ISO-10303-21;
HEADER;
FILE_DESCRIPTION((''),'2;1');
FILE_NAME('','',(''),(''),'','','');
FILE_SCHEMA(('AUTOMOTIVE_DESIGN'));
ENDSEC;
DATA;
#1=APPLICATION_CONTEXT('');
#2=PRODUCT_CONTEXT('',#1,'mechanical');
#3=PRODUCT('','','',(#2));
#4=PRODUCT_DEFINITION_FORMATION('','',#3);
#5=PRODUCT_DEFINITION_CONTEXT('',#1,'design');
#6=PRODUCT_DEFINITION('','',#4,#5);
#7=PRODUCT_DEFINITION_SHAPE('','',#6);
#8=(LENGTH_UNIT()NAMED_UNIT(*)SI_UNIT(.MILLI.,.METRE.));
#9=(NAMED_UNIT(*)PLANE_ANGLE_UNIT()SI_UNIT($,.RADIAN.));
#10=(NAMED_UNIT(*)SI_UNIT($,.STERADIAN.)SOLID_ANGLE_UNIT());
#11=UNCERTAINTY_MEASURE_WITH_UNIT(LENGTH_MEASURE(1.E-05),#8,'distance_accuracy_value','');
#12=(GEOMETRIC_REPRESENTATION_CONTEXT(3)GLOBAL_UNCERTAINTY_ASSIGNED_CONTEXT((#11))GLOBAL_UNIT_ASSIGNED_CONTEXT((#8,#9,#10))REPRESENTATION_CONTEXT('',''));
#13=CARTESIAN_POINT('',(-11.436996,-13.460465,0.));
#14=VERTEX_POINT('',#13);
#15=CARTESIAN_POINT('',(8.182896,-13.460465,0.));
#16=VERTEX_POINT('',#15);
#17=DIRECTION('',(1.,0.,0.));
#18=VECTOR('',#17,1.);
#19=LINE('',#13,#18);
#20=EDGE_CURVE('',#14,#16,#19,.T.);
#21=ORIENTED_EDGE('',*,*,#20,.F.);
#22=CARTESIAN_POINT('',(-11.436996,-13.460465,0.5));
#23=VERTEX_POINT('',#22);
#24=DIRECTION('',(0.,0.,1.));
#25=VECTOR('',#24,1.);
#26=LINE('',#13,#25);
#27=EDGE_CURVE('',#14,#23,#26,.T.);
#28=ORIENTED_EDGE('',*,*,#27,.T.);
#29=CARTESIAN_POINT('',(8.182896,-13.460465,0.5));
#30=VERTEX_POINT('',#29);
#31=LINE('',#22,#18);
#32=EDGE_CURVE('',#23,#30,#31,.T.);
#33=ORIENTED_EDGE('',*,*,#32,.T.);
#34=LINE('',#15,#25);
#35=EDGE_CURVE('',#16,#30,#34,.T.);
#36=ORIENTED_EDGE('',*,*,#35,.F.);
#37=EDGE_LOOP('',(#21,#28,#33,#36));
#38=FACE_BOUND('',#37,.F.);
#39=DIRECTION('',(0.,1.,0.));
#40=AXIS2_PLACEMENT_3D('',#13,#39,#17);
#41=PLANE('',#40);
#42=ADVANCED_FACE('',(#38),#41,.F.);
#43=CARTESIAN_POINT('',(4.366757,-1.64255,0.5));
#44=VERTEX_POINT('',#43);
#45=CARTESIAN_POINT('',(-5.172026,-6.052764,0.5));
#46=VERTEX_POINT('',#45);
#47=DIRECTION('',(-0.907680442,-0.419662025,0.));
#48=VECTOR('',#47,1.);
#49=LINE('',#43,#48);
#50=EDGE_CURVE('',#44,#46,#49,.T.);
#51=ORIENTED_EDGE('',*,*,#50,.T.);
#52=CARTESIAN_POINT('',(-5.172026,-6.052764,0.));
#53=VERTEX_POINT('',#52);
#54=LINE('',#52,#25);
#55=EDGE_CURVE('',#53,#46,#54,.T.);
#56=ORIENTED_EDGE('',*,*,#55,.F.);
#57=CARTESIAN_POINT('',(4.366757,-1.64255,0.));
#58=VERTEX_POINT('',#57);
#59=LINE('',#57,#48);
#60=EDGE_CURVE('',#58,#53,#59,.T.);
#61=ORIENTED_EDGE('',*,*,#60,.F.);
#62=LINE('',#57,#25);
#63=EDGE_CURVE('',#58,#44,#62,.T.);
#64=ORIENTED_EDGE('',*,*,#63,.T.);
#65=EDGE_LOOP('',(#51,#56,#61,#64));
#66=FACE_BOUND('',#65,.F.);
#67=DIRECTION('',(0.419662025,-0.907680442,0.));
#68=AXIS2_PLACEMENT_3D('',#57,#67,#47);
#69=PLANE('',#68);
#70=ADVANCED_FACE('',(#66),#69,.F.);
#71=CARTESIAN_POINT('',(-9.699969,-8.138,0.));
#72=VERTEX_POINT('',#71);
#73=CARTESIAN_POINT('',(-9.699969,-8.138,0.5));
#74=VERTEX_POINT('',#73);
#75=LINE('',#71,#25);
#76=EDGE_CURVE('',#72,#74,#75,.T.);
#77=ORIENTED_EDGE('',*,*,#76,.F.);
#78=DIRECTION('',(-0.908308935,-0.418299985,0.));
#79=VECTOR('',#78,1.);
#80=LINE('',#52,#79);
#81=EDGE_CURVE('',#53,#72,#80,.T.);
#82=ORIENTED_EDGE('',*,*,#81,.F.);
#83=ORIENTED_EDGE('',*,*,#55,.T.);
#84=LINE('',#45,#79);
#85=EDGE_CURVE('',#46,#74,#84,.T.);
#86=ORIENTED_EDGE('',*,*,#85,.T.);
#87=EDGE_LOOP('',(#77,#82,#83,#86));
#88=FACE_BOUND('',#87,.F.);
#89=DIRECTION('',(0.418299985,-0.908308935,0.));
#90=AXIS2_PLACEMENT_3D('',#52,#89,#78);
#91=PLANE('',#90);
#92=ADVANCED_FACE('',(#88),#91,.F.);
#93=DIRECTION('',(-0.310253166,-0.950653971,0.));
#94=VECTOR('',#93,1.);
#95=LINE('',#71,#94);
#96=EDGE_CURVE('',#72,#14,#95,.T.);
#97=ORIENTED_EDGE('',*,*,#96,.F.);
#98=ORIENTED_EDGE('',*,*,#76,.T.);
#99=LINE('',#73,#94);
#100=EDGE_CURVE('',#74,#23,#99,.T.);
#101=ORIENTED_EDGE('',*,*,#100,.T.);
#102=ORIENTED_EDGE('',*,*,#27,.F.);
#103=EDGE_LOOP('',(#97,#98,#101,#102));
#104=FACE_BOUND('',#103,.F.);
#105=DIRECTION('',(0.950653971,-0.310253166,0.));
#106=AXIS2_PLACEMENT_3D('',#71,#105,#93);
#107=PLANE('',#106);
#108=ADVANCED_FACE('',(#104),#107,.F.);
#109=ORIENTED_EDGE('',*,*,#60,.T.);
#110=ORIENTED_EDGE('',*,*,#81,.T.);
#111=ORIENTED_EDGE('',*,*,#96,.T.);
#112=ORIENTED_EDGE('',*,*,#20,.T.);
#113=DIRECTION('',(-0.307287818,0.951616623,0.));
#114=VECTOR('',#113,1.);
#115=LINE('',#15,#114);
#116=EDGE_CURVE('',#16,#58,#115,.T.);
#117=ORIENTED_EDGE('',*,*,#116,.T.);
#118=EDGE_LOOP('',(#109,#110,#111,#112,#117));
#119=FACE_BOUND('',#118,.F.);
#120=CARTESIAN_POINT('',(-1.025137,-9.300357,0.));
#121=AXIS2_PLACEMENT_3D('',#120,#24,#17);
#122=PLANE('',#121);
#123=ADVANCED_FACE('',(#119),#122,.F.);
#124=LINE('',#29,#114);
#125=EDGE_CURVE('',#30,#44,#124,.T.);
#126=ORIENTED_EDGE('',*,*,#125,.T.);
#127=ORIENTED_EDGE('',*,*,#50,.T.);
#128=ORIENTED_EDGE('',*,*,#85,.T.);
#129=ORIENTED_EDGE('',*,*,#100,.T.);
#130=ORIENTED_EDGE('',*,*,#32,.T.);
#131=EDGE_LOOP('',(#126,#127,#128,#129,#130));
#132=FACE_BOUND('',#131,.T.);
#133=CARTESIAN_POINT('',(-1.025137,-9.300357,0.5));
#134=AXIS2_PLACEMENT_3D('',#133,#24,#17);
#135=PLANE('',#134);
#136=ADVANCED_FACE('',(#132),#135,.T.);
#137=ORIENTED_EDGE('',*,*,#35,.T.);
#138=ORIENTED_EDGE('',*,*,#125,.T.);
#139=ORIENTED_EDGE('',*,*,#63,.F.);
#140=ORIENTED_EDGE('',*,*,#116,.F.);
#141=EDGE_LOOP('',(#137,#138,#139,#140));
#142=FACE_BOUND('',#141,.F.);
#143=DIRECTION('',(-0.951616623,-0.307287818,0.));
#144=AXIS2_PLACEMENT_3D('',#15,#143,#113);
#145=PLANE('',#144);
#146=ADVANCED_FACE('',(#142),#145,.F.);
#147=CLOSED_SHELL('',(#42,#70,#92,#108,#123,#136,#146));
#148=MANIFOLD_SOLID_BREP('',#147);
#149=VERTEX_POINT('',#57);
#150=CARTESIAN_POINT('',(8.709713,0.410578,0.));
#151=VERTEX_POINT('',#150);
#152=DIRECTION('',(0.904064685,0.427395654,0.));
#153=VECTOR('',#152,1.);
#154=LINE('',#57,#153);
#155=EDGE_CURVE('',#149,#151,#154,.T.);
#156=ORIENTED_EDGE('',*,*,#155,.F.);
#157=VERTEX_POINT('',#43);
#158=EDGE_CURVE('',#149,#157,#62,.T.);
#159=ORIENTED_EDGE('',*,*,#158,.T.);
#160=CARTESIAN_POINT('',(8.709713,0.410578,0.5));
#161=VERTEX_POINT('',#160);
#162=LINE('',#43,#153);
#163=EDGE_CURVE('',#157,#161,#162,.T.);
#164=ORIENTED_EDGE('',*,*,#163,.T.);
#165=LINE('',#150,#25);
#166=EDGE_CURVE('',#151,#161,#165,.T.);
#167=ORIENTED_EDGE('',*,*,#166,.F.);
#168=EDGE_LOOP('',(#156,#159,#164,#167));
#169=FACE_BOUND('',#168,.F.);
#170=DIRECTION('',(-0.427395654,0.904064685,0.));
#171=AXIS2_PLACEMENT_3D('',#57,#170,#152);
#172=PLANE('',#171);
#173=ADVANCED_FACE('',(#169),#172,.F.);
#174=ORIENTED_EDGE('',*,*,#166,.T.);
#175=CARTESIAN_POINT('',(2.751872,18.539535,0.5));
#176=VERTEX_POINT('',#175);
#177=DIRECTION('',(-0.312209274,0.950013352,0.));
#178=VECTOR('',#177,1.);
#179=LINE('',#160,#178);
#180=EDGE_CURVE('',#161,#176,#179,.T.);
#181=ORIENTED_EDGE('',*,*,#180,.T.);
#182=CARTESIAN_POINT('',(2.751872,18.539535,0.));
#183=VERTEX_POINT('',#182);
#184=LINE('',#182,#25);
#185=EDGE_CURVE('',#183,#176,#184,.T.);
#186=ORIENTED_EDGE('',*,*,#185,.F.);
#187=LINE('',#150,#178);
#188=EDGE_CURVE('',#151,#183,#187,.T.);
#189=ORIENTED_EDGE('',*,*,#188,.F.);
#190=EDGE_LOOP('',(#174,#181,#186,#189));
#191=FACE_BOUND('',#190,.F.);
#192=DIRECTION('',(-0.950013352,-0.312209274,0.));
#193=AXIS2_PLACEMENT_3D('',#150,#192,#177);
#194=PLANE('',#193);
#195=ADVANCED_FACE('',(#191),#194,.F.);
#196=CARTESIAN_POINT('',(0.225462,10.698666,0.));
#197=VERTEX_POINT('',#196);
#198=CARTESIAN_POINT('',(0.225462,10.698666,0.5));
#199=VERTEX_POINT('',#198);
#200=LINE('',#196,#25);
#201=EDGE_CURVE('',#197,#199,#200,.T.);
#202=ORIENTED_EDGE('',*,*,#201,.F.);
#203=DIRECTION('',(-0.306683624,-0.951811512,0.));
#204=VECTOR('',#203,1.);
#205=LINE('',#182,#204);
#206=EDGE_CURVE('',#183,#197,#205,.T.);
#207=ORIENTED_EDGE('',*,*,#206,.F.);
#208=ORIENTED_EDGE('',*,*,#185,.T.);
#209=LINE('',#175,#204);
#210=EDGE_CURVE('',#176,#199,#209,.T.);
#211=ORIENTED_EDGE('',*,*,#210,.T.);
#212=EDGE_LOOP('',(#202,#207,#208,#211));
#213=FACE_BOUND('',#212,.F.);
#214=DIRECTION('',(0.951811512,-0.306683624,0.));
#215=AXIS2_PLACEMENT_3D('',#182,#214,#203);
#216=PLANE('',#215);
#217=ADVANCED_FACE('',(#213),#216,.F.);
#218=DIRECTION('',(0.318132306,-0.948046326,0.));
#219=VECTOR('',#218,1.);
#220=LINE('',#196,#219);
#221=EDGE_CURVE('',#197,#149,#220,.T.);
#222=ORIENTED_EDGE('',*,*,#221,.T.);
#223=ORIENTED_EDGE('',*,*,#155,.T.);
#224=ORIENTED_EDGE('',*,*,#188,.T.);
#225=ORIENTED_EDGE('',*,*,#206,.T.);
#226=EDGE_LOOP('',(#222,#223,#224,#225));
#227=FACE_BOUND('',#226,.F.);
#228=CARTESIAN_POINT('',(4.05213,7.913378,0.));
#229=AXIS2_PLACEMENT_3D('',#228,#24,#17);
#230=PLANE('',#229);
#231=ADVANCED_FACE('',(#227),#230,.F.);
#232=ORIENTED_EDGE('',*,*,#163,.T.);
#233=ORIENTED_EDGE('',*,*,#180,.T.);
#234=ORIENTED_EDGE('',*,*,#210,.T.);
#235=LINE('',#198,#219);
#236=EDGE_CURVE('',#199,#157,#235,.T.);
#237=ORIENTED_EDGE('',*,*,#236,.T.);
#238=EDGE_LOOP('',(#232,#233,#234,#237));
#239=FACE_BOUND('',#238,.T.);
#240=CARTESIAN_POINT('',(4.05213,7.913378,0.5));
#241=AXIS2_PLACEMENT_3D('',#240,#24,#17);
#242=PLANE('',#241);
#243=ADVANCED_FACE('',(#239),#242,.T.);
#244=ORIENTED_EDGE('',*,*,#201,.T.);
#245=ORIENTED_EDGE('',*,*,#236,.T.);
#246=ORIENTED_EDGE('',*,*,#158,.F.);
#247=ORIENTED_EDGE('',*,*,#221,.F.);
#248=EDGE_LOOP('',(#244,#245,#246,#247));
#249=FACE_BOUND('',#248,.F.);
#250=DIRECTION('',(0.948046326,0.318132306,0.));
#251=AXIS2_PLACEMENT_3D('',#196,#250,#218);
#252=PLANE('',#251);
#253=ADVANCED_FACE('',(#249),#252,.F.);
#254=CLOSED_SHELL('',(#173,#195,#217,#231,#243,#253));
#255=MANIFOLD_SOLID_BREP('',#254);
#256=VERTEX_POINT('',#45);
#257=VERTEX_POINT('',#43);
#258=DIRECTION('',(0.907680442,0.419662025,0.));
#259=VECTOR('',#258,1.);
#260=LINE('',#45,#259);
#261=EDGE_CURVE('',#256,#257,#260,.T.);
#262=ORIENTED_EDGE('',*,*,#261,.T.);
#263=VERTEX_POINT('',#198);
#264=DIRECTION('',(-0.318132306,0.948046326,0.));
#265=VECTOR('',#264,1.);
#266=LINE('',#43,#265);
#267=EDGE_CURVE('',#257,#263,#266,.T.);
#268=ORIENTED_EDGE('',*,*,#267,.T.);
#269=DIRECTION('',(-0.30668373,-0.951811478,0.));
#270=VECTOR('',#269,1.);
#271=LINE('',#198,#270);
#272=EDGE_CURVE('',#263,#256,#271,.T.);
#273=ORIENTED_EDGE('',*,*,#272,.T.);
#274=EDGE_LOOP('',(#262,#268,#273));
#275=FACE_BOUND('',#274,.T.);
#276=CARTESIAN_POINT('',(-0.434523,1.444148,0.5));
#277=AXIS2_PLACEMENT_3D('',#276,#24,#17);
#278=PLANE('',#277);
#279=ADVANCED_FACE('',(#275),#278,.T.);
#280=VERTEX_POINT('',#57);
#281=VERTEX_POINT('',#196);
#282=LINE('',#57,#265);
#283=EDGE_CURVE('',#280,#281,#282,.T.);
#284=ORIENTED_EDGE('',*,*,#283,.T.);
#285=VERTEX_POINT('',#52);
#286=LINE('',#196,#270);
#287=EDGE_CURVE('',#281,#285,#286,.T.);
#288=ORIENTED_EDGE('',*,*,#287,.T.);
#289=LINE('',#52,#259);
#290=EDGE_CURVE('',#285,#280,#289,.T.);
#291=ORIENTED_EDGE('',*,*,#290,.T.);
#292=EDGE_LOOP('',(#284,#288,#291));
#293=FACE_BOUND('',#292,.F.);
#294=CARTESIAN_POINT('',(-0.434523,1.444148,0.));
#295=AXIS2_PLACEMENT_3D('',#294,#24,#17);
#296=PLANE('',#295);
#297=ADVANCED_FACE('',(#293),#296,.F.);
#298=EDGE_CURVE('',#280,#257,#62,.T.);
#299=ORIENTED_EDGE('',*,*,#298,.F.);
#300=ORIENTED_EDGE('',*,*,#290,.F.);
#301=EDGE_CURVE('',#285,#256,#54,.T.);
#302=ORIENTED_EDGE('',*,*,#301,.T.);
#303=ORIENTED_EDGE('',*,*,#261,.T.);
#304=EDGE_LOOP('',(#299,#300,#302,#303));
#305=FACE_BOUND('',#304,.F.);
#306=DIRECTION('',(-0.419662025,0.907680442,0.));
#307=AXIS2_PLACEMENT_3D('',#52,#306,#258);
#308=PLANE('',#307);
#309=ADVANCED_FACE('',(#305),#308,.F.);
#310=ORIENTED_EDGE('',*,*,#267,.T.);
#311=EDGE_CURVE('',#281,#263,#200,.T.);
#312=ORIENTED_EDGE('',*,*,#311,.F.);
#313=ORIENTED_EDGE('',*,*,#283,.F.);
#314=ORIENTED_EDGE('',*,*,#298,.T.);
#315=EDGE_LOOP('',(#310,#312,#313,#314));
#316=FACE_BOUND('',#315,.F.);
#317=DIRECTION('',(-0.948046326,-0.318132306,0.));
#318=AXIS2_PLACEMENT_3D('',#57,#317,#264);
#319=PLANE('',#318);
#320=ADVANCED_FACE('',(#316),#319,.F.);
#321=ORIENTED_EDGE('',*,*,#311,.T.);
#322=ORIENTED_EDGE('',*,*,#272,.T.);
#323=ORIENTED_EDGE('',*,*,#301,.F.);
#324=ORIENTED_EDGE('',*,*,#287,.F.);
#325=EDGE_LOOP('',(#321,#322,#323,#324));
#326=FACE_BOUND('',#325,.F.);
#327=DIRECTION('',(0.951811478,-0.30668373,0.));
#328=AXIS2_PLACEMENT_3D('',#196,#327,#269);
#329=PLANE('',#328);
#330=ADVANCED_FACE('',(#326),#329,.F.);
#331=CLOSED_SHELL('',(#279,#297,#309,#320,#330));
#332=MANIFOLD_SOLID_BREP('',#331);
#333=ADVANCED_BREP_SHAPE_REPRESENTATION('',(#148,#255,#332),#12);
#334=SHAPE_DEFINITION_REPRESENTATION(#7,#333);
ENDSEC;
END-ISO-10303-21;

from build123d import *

# Parameters (mm, degrees)
F1_DEPTH = 0.5
F2_DEPTH = 0.5
F3_DEPTH = 0.5


with BuildPart() as f1:
    # F0 (on Top) → F1 (new body)
    with BuildSketch(Plane.XY):
        Polygon((8.709713, 0.410578), (2.751872, 18.539535), (0.225462, 10.698666), (4.366757, -1.64255), align=None)
    extrude(amount=F1_DEPTH)


with BuildPart() as f2:
    # F0 (on Top) → F2 (new body)
    with BuildSketch(Plane.XY):
        Polygon((4.366757, -1.64255), (0.225462, 10.698666), (-5.172026, -6.052764), align=None)
    extrude(amount=F2_DEPTH)


with BuildPart() as f3:
    # F0 (on Top) → F3 (new body)
    with BuildSketch(Plane.XY):
        Polygon((4.366757, -1.64255), (-5.172026, -6.052764), (-9.699969, -8.138), (-11.436996, -13.460465), (8.182896, -13.460465), align=None)
    extrude(amount=F3_DEPTH)


solid = Compound([f1.part, f2.part, f3.part])
